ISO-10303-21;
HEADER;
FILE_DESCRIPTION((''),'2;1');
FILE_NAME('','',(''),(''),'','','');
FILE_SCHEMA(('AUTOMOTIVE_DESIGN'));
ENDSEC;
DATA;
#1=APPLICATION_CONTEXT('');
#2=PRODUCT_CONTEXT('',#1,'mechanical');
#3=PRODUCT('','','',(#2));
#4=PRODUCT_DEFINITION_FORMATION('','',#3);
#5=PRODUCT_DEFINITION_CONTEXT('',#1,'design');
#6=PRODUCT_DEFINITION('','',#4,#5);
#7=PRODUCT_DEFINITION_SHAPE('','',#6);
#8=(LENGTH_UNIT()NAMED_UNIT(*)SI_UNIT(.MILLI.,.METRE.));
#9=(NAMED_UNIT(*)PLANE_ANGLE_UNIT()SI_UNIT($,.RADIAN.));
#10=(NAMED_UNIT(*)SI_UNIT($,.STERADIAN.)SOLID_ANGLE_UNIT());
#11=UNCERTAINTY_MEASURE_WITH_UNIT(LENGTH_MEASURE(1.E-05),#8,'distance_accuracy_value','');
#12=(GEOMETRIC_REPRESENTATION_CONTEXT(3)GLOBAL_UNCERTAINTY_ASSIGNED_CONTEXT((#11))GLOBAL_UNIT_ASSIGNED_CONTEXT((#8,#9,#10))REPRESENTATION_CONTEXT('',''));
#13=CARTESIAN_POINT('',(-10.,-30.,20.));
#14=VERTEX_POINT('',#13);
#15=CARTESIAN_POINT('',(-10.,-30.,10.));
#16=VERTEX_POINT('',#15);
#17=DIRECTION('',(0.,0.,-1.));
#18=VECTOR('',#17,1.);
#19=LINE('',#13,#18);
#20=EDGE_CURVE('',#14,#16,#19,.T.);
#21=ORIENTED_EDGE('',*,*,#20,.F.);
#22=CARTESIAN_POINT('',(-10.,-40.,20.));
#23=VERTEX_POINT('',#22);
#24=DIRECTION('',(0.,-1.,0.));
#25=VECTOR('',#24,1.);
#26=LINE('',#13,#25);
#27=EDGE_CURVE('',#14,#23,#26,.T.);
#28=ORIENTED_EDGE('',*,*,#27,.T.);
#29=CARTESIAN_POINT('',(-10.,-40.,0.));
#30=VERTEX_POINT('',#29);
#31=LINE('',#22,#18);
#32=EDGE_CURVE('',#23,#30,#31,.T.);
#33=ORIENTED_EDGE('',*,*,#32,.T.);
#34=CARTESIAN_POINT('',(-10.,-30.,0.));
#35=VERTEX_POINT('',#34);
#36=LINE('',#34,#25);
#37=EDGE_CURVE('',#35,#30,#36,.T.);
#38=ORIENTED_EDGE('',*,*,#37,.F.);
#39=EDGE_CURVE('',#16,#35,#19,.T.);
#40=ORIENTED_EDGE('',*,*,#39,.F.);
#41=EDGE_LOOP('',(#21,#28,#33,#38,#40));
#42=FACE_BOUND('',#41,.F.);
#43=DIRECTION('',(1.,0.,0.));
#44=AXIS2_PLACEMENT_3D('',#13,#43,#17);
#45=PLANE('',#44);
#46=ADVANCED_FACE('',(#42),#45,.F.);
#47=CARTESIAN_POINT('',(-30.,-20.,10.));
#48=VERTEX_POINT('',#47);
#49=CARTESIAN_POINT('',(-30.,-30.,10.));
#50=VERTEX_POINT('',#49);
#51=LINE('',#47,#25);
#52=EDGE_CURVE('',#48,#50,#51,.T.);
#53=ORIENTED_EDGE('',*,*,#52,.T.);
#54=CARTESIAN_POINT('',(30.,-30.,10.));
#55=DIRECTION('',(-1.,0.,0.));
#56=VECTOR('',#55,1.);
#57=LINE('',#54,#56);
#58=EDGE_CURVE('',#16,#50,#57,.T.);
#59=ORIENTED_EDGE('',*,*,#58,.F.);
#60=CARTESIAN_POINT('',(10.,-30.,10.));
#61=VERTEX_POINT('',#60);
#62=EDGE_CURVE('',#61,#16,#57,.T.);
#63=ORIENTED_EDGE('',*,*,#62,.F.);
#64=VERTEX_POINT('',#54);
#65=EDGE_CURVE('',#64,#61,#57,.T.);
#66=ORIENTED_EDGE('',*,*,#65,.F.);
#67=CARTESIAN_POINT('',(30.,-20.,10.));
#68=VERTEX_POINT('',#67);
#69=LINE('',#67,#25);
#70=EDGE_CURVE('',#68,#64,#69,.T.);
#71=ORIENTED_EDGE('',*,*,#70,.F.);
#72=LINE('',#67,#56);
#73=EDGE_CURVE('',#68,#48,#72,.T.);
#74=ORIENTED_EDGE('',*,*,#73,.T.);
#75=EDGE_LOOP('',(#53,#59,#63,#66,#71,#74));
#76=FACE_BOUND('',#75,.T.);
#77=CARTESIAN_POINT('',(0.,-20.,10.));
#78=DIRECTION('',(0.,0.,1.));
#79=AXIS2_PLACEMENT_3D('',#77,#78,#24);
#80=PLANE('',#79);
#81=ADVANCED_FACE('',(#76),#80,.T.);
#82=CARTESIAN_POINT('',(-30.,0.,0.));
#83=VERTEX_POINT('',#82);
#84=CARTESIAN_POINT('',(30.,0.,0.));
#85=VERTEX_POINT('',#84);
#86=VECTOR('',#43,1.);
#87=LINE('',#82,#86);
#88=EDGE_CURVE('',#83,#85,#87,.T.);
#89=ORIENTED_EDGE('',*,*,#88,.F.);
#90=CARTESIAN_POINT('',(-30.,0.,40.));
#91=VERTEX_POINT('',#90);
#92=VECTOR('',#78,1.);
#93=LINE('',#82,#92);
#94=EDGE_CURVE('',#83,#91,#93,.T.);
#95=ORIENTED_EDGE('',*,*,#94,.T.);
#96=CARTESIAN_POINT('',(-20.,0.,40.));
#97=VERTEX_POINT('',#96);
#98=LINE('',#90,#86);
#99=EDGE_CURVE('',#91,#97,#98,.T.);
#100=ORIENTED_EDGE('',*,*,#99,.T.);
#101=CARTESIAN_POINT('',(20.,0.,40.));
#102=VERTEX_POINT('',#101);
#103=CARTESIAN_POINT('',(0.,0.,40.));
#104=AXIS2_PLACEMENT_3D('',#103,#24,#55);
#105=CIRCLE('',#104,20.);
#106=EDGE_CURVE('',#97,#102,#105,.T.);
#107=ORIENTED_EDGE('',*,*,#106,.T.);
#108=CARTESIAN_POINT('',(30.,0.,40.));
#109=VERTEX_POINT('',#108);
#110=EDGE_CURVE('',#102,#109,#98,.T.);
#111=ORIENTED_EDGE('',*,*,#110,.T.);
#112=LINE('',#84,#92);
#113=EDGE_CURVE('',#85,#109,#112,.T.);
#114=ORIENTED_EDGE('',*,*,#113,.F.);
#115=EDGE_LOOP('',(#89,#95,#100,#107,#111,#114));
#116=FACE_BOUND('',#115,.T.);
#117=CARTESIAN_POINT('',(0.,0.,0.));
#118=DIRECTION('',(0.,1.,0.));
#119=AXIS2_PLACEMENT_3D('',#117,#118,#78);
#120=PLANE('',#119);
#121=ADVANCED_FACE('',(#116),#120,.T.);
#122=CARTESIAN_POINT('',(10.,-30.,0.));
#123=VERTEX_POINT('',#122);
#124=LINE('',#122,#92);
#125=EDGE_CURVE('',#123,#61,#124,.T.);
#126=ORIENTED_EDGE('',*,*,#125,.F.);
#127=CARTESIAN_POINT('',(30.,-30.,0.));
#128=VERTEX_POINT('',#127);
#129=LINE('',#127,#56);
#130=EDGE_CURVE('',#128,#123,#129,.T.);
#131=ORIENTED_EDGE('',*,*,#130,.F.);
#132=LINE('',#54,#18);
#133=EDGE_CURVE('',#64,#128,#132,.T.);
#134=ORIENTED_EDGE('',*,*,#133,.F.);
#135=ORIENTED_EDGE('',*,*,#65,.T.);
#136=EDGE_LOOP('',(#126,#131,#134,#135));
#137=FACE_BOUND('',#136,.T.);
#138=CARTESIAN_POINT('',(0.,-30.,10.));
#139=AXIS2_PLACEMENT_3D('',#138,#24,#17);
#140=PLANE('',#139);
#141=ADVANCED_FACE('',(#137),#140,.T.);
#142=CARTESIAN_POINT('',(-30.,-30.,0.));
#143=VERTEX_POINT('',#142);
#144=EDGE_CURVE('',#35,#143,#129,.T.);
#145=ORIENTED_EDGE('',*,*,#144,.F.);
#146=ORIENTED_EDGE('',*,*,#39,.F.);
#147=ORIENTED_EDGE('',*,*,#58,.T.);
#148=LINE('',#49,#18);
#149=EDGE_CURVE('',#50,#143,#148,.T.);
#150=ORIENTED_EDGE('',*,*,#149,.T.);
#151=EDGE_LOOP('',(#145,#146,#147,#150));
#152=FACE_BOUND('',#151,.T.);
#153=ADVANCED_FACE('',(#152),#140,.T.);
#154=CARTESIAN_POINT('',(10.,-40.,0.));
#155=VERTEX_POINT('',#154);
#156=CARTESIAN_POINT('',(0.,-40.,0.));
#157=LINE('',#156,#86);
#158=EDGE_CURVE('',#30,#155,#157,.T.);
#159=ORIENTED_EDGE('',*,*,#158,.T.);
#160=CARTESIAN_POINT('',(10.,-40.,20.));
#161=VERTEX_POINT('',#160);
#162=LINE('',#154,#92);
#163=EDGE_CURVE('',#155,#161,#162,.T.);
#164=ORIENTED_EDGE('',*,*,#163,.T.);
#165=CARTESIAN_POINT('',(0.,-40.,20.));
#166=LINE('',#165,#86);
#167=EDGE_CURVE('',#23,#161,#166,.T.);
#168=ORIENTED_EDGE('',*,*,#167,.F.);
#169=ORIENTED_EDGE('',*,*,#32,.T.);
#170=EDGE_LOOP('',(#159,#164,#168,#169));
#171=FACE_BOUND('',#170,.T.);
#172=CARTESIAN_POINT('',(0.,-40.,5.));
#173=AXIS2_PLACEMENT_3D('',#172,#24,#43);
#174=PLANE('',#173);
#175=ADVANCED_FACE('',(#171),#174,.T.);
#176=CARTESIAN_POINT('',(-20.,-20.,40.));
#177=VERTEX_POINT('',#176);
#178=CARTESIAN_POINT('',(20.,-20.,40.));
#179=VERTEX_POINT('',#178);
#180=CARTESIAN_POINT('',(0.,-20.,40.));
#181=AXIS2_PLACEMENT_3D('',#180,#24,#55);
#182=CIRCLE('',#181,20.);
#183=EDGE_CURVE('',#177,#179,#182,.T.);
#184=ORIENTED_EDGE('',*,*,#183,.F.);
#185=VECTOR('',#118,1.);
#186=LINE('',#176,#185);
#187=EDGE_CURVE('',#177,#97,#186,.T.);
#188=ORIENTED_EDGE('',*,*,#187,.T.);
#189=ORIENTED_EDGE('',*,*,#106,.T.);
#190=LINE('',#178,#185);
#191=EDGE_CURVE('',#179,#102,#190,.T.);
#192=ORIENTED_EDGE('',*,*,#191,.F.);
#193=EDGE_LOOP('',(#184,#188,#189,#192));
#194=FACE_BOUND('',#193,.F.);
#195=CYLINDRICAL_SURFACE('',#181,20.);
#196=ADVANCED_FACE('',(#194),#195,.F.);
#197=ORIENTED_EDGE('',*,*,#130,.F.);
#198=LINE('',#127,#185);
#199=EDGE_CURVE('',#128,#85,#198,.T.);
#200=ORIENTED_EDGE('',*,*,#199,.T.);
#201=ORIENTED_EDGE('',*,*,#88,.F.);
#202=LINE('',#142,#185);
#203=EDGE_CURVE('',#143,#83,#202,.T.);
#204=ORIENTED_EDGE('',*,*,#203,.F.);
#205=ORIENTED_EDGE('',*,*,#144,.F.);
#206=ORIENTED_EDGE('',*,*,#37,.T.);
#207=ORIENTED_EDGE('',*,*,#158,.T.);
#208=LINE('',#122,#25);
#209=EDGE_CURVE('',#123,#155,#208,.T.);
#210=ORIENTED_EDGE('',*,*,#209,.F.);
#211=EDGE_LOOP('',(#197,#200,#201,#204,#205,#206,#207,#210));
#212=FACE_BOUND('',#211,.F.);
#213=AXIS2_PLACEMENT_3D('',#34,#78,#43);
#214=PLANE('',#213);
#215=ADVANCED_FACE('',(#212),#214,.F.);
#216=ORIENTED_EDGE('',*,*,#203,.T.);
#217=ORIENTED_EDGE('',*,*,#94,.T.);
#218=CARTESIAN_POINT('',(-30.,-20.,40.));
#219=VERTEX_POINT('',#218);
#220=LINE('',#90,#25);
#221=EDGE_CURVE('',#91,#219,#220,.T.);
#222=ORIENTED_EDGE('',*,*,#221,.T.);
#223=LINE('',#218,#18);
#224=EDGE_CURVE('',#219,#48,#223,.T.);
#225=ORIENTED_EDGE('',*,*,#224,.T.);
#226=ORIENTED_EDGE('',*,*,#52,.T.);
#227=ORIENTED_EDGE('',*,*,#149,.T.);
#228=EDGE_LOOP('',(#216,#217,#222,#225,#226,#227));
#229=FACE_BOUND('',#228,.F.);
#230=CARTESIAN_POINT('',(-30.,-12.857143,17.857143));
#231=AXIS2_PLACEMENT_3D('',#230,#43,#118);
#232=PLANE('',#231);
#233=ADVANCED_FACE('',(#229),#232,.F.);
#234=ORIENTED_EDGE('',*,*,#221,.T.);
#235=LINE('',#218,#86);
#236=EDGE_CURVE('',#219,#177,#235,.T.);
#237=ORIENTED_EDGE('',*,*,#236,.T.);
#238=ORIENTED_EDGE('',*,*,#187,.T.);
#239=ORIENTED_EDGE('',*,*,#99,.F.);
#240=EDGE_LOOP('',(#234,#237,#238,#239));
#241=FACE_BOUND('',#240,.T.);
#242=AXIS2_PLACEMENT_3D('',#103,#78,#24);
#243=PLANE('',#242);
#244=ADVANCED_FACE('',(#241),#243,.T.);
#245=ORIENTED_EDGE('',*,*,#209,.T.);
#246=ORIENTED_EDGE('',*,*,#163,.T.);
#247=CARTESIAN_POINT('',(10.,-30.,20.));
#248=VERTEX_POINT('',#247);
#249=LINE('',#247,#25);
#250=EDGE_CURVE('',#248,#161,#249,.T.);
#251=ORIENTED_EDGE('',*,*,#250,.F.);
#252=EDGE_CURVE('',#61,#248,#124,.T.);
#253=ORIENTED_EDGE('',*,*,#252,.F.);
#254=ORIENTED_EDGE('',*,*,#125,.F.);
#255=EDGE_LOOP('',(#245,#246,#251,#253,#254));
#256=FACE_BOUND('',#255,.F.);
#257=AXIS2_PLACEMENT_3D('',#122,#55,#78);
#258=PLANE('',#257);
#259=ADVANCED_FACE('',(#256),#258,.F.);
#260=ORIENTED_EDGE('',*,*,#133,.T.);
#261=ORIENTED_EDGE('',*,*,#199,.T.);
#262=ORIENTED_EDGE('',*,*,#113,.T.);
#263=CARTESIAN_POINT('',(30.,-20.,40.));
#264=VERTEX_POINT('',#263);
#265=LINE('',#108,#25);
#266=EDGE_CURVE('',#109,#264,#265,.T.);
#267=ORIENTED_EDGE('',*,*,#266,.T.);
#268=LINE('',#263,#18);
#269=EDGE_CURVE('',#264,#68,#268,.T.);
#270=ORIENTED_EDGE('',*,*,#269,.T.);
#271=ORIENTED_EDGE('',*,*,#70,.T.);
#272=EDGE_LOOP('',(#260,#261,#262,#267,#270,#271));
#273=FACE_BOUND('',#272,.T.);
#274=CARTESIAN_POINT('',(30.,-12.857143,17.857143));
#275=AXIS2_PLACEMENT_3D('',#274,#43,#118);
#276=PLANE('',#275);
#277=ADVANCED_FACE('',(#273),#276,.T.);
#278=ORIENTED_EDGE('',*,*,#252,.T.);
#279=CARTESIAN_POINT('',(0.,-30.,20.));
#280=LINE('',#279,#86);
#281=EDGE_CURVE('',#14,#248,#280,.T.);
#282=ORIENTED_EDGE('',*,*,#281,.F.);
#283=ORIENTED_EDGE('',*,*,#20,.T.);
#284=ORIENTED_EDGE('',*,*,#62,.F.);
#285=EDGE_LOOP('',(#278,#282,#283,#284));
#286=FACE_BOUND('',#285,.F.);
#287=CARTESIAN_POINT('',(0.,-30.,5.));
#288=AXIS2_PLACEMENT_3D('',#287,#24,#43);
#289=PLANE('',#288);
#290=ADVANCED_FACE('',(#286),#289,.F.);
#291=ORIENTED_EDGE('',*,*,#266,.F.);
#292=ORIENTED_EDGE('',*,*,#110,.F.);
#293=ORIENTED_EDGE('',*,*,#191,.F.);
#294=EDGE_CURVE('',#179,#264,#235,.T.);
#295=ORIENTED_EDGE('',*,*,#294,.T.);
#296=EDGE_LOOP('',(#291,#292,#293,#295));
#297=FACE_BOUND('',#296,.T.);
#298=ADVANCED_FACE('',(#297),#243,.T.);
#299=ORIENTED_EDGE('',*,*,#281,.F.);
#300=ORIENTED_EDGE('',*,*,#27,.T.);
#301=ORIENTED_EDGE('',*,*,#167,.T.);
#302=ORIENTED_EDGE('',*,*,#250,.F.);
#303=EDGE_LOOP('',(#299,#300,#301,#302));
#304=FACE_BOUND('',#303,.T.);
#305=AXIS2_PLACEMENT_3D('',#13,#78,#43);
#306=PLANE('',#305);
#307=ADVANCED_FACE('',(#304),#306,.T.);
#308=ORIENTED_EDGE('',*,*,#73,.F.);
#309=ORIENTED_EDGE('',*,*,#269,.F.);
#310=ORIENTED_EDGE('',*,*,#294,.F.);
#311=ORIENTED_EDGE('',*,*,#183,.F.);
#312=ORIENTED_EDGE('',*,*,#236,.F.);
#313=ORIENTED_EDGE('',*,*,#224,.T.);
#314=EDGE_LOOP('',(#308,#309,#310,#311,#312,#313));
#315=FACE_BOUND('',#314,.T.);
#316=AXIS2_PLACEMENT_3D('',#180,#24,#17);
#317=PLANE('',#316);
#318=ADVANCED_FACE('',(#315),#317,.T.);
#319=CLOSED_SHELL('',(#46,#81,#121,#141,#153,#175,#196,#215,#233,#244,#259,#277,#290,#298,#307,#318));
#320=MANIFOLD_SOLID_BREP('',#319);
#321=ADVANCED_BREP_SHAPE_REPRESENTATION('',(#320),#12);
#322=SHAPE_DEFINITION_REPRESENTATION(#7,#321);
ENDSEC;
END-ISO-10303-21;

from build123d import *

# Parameters (mm, degrees)
F1_DEPTH = 30
F3_DEPTH = 20.001
F4_W     = 20
F4_H     = 10
F5_DEPTH = 10


with BuildPart() as f1:
    # F0 (on Right) → F1 (new body, symmetric)
    with BuildSketch(Plane.YZ):
        Polygon((-30, 0), (0, 0), (0, 40), (-20, 40), (-20, 10), (-30, 10), align=None)
    extrude(amount=F1_DEPTH, both=True)

    # F2 (on face) → F3 (cut, through all)
    with BuildSketch(Plane.XZ.offset(20)):
        with BuildLine():
            Line((20, 40), (-20, 40))
            ThreePointArc((-20, 40), (0, 20), (20, 40))
        make_face()
    extrude(amount=-F3_DEPTH, mode=Mode.SUBTRACT)

    # F4 (on face) → F5 (join)
    with BuildSketch(Plane.XZ.offset(30)):
        with Locations((0, 5)):
            Rectangle(F4_W, F4_H)
        with Locations((0, 15)):
            Rectangle(F4_W, F4_H)
    extrude(amount=F5_DEPTH)


solid = f1.part
